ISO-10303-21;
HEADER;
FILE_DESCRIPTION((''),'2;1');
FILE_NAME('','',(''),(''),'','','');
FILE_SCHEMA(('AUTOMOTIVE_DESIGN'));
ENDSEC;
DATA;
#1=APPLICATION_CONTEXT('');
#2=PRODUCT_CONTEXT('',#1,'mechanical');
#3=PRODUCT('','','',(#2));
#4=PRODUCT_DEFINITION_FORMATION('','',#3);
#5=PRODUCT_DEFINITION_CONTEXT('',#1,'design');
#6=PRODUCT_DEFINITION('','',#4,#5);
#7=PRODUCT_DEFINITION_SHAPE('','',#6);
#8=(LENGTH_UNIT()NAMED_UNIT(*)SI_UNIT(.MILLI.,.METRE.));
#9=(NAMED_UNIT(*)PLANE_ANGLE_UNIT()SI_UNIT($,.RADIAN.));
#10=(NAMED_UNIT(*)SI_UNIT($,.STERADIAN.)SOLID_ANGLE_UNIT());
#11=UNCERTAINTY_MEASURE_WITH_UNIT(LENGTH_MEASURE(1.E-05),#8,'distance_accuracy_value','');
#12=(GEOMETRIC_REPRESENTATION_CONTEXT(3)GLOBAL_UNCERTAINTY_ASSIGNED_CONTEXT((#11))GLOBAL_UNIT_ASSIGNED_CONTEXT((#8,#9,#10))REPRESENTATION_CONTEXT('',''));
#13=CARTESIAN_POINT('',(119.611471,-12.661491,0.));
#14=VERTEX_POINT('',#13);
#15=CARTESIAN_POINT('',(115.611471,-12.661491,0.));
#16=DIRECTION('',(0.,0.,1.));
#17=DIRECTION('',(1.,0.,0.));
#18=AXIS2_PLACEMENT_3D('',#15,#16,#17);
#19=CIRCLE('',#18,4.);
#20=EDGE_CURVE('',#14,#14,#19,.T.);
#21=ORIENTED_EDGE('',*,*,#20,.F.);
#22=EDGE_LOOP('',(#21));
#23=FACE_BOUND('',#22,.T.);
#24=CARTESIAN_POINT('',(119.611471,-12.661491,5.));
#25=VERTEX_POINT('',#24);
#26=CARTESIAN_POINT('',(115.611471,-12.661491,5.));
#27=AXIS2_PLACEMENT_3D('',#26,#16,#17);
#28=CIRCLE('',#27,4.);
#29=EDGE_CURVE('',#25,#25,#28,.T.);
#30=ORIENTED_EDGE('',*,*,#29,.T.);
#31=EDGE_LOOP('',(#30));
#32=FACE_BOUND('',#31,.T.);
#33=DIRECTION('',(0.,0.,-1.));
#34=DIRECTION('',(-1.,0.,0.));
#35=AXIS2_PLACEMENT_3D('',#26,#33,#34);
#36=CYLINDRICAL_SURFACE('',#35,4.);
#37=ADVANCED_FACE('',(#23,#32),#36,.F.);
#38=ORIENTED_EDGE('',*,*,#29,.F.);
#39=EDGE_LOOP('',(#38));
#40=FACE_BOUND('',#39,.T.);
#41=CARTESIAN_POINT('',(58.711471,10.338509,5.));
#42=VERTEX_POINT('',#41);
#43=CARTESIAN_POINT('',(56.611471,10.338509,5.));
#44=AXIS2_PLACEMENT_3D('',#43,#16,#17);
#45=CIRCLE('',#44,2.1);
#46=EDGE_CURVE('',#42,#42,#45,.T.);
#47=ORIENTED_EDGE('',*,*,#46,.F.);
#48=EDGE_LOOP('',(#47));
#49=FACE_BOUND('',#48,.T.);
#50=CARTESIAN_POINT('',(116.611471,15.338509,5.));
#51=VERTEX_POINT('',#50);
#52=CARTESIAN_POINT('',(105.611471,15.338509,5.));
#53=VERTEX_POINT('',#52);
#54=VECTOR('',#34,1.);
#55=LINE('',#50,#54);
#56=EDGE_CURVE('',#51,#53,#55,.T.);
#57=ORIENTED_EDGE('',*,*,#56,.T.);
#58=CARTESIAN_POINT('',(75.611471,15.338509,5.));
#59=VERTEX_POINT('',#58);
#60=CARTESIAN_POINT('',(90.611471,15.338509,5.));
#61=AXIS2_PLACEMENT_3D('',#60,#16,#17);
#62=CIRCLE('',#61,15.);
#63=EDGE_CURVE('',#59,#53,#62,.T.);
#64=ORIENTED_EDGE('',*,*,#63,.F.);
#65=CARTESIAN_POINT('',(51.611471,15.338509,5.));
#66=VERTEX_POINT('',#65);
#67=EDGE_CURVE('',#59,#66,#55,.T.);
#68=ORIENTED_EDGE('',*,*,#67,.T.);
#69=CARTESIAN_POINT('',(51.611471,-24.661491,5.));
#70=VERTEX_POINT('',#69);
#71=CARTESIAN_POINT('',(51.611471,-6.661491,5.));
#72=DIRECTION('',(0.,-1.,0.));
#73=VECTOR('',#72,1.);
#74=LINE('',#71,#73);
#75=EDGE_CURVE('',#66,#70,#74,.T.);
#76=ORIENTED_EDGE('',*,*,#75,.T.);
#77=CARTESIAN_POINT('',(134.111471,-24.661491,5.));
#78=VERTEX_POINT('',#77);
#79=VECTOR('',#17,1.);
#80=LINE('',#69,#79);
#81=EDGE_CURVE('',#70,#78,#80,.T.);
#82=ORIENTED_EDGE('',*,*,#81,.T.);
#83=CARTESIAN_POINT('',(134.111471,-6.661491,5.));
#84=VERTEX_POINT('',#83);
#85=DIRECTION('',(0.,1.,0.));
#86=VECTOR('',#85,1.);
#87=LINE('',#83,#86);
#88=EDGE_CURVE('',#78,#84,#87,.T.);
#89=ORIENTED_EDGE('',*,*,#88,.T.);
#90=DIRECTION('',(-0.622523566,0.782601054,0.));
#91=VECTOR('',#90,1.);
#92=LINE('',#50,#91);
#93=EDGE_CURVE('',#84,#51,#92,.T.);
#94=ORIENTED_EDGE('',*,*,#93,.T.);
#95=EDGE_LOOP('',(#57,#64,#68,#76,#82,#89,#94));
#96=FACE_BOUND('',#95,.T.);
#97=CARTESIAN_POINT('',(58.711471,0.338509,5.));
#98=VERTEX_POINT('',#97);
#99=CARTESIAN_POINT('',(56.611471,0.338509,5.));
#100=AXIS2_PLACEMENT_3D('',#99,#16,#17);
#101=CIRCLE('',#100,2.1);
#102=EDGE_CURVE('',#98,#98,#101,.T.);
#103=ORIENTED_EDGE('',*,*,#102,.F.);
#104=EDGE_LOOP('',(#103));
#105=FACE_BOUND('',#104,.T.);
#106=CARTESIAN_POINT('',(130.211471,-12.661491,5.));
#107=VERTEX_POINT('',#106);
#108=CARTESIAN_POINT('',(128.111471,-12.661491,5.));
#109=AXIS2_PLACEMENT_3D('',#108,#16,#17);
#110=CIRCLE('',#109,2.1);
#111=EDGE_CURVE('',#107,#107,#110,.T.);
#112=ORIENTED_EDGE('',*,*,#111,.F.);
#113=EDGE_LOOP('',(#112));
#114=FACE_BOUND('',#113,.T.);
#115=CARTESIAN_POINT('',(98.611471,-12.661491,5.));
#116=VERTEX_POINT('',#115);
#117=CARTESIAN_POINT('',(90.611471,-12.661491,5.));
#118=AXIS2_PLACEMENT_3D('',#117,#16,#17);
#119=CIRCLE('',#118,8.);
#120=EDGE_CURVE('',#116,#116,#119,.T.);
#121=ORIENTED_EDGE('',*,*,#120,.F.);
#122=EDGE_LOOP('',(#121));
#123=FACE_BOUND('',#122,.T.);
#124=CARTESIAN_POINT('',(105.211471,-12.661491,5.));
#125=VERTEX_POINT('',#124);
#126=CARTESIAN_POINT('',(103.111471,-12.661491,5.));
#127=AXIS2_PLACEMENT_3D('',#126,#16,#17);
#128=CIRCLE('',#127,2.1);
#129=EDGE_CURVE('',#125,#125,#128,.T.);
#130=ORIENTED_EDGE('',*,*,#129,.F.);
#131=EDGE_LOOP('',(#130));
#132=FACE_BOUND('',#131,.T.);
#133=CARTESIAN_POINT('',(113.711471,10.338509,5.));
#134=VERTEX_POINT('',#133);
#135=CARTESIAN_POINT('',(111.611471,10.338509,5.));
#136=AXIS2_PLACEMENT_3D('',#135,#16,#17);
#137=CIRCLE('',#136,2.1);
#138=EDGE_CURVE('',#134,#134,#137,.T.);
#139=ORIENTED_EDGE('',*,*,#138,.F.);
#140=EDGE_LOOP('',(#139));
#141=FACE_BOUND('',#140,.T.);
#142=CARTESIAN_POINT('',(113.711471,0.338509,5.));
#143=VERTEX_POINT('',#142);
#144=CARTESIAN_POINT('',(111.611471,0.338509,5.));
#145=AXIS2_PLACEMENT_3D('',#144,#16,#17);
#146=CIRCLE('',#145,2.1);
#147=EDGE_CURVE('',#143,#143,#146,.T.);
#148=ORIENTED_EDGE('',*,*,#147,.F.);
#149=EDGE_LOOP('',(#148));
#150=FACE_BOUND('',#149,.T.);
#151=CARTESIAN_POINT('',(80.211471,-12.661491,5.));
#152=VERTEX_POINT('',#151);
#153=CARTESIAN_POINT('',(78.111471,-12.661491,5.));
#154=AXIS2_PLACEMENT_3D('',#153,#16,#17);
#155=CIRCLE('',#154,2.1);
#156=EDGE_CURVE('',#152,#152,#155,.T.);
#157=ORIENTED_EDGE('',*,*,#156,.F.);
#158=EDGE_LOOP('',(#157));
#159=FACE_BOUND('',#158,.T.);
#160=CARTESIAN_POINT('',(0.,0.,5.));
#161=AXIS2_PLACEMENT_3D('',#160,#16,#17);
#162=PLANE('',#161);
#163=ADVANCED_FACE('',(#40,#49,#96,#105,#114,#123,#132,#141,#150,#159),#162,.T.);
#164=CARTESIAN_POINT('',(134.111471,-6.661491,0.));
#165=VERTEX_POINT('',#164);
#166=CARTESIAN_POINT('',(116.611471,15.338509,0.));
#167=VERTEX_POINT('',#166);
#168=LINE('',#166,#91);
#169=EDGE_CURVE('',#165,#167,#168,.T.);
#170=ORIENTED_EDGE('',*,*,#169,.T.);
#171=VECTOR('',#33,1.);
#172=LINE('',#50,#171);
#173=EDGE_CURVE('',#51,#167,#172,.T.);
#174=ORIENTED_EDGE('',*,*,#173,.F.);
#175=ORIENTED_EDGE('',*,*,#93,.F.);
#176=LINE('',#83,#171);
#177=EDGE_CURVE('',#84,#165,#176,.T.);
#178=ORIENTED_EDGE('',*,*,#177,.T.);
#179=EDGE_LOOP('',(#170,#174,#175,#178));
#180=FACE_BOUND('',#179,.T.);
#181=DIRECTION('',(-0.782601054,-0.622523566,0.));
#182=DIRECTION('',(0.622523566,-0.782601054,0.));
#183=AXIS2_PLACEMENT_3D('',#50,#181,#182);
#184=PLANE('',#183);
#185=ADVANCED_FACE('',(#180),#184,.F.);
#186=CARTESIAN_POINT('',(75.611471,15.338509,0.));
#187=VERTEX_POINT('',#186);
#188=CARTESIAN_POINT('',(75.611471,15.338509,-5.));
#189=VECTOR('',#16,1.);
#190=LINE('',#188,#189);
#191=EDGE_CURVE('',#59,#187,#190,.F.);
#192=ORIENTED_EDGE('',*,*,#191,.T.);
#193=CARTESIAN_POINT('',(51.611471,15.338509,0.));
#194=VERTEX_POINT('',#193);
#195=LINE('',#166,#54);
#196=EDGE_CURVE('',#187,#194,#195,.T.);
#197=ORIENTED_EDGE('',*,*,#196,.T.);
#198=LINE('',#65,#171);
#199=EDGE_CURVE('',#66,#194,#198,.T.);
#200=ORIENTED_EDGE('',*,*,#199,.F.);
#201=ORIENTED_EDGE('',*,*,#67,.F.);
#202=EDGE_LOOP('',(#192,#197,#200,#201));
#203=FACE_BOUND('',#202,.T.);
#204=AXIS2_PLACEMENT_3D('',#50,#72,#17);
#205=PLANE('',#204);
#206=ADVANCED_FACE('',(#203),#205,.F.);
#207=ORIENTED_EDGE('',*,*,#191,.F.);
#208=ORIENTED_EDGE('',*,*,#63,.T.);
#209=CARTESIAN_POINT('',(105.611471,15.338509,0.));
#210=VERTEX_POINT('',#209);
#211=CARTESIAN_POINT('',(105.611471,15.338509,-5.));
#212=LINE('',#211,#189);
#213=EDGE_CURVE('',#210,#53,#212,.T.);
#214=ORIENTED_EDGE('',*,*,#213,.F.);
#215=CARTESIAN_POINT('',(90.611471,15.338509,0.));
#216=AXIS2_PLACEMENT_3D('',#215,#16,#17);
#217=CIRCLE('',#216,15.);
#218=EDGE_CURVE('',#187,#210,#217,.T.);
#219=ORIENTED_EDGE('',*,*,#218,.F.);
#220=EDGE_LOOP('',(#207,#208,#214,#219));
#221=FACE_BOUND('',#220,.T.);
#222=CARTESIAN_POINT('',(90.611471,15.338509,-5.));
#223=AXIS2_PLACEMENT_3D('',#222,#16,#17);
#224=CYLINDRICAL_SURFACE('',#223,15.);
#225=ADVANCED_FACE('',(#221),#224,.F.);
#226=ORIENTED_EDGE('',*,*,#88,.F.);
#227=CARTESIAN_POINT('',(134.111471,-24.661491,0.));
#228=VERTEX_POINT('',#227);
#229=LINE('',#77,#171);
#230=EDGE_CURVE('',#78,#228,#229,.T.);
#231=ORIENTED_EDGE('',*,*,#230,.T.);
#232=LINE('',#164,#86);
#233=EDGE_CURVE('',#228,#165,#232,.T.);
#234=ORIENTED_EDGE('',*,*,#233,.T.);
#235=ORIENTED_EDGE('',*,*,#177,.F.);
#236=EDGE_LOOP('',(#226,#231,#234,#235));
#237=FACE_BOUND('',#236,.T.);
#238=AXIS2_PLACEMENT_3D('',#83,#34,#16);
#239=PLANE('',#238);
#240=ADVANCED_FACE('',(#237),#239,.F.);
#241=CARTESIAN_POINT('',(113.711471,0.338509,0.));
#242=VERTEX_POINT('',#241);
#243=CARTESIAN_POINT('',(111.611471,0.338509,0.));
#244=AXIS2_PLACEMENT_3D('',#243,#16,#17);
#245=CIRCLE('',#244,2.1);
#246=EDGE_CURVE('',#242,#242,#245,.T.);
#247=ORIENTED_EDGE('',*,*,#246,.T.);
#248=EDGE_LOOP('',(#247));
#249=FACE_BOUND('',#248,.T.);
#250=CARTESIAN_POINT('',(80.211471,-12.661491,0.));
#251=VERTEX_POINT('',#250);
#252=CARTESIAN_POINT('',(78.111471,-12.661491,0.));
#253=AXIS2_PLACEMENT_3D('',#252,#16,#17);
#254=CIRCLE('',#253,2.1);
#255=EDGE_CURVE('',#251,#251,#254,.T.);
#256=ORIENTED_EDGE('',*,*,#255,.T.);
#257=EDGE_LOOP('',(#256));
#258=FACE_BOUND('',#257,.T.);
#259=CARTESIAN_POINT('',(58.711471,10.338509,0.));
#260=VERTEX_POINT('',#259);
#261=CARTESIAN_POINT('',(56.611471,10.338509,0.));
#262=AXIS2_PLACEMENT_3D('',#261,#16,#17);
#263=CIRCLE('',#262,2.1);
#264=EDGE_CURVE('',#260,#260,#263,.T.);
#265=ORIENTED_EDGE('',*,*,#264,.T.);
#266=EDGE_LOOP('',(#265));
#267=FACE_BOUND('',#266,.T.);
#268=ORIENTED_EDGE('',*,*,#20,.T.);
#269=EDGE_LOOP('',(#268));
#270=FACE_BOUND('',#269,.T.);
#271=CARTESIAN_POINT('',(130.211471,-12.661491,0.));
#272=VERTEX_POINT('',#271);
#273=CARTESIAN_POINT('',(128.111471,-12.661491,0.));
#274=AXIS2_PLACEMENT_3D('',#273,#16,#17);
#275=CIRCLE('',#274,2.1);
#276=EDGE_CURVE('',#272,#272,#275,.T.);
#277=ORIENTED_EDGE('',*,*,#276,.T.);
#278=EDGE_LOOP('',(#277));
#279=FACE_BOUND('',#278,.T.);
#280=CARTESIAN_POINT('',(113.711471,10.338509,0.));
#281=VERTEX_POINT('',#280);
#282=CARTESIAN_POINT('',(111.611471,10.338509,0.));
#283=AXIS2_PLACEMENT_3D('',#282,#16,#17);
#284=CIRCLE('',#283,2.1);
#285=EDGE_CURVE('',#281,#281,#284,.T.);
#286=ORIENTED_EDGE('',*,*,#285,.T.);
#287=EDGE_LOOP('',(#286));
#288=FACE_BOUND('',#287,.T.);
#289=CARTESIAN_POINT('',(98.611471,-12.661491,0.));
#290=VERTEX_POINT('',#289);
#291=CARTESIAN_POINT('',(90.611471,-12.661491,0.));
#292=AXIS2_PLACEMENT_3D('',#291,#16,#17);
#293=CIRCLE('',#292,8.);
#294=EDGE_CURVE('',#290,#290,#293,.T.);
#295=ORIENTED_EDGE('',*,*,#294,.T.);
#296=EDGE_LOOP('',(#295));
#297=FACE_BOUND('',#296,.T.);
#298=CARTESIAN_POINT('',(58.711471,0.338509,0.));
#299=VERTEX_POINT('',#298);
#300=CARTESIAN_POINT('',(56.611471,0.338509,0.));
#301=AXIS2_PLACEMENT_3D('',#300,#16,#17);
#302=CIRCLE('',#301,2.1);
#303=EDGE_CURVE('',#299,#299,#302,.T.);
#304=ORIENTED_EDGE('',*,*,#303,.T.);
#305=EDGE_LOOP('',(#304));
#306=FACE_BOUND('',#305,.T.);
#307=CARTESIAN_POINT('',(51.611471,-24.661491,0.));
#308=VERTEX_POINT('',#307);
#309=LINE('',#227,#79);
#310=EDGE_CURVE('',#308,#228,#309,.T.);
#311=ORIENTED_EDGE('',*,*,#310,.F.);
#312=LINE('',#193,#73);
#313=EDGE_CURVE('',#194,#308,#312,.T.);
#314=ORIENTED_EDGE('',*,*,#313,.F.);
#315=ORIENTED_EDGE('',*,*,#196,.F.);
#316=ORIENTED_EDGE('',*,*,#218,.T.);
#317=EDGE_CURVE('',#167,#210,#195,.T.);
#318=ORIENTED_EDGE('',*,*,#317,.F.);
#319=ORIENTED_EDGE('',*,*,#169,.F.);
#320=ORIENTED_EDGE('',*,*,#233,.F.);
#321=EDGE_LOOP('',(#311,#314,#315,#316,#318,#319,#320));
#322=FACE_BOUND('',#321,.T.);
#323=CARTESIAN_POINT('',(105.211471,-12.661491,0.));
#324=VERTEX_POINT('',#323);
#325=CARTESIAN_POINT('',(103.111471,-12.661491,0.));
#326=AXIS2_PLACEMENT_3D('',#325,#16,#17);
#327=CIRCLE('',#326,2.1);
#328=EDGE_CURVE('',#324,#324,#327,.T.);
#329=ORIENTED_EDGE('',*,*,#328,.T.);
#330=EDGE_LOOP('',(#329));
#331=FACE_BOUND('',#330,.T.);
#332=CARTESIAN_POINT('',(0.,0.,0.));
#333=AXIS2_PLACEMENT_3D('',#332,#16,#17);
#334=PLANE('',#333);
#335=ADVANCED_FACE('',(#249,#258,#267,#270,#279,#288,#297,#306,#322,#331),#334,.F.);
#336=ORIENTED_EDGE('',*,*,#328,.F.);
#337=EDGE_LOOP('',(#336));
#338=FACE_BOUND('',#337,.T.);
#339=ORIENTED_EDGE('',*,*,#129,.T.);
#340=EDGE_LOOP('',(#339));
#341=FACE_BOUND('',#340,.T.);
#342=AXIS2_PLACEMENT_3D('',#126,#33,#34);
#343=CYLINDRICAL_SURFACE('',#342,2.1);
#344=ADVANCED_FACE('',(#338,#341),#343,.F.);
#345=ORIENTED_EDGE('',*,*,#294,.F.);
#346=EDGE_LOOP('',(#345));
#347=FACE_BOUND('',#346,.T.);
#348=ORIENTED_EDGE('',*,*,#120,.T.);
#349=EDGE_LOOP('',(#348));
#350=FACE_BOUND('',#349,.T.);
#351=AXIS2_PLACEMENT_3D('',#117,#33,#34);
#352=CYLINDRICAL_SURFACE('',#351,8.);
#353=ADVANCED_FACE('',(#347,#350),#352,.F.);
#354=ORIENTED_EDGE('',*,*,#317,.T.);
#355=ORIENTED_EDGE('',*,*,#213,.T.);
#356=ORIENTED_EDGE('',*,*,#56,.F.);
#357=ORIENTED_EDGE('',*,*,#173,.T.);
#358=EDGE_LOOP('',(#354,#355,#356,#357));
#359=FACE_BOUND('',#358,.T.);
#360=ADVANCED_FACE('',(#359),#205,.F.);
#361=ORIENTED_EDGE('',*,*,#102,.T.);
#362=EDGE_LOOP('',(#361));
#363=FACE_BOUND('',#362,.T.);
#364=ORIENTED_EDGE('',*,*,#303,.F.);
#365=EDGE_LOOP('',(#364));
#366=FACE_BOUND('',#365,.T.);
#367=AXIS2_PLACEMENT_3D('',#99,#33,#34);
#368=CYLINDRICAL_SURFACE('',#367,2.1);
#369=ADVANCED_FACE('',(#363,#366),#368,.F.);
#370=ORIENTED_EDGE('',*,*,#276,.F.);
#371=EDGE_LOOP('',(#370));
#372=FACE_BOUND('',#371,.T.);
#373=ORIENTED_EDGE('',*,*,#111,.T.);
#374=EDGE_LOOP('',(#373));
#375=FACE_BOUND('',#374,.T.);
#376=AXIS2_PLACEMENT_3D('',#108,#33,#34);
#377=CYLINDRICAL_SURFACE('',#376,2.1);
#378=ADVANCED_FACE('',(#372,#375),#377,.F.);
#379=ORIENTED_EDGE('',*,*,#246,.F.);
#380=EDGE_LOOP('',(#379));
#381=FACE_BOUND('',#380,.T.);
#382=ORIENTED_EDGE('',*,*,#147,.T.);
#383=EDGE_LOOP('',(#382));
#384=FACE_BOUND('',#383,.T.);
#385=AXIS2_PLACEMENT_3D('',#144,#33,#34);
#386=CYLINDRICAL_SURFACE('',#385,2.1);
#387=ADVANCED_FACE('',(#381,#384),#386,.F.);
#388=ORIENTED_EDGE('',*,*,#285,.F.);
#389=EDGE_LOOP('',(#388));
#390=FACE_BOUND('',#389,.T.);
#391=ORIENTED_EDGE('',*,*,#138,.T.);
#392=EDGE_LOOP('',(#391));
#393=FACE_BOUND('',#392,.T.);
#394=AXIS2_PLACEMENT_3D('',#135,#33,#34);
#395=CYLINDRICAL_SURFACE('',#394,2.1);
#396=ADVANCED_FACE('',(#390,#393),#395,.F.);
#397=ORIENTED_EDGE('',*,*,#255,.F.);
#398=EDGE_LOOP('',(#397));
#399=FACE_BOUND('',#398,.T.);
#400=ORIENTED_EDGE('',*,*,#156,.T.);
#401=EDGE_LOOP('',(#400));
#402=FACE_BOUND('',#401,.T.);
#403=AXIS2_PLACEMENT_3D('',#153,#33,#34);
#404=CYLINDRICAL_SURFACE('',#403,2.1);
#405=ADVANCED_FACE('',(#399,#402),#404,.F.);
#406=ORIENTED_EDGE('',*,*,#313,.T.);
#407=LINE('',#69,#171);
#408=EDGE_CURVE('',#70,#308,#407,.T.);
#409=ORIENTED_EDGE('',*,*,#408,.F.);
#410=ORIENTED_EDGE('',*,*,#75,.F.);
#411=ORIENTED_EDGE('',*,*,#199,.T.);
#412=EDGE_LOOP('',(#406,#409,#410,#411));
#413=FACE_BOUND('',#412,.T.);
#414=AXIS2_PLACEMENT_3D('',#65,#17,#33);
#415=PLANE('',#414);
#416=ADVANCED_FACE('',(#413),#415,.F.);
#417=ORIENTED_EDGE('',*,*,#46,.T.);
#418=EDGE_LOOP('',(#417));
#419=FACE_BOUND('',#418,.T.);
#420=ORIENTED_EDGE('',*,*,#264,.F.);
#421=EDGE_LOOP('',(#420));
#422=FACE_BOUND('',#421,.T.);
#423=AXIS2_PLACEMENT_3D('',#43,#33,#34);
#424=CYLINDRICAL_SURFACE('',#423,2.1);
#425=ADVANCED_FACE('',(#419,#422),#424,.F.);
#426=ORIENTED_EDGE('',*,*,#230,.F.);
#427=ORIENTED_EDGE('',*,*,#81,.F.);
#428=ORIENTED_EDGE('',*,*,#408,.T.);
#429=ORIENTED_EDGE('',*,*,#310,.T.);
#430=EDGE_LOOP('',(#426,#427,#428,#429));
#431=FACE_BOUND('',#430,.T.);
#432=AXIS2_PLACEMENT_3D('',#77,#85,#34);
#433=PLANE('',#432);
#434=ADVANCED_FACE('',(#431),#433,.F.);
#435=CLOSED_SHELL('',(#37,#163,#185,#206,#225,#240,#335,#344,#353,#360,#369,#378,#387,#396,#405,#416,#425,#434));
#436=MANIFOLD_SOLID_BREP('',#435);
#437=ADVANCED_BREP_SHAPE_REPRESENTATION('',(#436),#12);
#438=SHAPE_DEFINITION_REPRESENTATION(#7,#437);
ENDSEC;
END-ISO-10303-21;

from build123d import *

# Parameters (mm, degrees)
SKETCH1_R           = 2.1
SKETCH1_R_2         = 4
SKETCH1_R_3         = 8
BOSS_EXTRUDE1_DEPTH = 5
SKETCH2_R           = 15
CUT_EXTRUDE1_DEPTH  = 10


with BuildPart() as part:
    # Sketch1 → Boss-Extrude1 (new body)
    with BuildSketch(Plane.XY):
        Polygon((116.611470678, 15.338509317), (51.611470678, 15.338509317), (51.611470678, -6.661490683), (51.611470678, -24.661490683), (116.611470678, -24.661490683), (134.111470678, -24.661490683), (134.111470678, -6.661490683), align=None)
        with Locations((56.611470678, 10.338509317)):
            Circle(SKETCH1_R, mode=Mode.SUBTRACT)
        with Locations((111.611470678, 10.338509317)):
            Circle(SKETCH1_R, mode=Mode.SUBTRACT)
        with Locations((56.611470678, 0.338509317)):
            Circle(SKETCH1_R, mode=Mode.SUBTRACT)
        with Locations((111.611470678, 0.338509317)):
            Circle(SKETCH1_R, mode=Mode.SUBTRACT)
        with Locations((115.611470678, -12.661490683)):
            Circle(SKETCH1_R_2, mode=Mode.SUBTRACT)
        with Locations((90.611470678, -12.661490683)):
            Circle(SKETCH1_R_3, mode=Mode.SUBTRACT)
        with Locations((78.111470678, -12.661490683)):
            Circle(SKETCH1_R, mode=Mode.SUBTRACT)
        with Locations((103.111470678, -12.661490683)):
            Circle(SKETCH1_R, mode=Mode.SUBTRACT)
        with Locations((128.111470678, -12.661490683)):
            Circle(SKETCH1_R, mode=Mode.SUBTRACT)
    extrude(amount=BOSS_EXTRUDE1_DEPTH)

    # Sketch2 → Cut-Extrude1 (cut)
    with BuildSketch(Plane.XY.offset(5)):
        with Locations((90.611470678, 15.338509317)):
            Circle(SKETCH2_R)
    extrude(amount=-CUT_EXTRUDE1_DEPTH, mode=Mode.SUBTRACT)


solid = part.part
